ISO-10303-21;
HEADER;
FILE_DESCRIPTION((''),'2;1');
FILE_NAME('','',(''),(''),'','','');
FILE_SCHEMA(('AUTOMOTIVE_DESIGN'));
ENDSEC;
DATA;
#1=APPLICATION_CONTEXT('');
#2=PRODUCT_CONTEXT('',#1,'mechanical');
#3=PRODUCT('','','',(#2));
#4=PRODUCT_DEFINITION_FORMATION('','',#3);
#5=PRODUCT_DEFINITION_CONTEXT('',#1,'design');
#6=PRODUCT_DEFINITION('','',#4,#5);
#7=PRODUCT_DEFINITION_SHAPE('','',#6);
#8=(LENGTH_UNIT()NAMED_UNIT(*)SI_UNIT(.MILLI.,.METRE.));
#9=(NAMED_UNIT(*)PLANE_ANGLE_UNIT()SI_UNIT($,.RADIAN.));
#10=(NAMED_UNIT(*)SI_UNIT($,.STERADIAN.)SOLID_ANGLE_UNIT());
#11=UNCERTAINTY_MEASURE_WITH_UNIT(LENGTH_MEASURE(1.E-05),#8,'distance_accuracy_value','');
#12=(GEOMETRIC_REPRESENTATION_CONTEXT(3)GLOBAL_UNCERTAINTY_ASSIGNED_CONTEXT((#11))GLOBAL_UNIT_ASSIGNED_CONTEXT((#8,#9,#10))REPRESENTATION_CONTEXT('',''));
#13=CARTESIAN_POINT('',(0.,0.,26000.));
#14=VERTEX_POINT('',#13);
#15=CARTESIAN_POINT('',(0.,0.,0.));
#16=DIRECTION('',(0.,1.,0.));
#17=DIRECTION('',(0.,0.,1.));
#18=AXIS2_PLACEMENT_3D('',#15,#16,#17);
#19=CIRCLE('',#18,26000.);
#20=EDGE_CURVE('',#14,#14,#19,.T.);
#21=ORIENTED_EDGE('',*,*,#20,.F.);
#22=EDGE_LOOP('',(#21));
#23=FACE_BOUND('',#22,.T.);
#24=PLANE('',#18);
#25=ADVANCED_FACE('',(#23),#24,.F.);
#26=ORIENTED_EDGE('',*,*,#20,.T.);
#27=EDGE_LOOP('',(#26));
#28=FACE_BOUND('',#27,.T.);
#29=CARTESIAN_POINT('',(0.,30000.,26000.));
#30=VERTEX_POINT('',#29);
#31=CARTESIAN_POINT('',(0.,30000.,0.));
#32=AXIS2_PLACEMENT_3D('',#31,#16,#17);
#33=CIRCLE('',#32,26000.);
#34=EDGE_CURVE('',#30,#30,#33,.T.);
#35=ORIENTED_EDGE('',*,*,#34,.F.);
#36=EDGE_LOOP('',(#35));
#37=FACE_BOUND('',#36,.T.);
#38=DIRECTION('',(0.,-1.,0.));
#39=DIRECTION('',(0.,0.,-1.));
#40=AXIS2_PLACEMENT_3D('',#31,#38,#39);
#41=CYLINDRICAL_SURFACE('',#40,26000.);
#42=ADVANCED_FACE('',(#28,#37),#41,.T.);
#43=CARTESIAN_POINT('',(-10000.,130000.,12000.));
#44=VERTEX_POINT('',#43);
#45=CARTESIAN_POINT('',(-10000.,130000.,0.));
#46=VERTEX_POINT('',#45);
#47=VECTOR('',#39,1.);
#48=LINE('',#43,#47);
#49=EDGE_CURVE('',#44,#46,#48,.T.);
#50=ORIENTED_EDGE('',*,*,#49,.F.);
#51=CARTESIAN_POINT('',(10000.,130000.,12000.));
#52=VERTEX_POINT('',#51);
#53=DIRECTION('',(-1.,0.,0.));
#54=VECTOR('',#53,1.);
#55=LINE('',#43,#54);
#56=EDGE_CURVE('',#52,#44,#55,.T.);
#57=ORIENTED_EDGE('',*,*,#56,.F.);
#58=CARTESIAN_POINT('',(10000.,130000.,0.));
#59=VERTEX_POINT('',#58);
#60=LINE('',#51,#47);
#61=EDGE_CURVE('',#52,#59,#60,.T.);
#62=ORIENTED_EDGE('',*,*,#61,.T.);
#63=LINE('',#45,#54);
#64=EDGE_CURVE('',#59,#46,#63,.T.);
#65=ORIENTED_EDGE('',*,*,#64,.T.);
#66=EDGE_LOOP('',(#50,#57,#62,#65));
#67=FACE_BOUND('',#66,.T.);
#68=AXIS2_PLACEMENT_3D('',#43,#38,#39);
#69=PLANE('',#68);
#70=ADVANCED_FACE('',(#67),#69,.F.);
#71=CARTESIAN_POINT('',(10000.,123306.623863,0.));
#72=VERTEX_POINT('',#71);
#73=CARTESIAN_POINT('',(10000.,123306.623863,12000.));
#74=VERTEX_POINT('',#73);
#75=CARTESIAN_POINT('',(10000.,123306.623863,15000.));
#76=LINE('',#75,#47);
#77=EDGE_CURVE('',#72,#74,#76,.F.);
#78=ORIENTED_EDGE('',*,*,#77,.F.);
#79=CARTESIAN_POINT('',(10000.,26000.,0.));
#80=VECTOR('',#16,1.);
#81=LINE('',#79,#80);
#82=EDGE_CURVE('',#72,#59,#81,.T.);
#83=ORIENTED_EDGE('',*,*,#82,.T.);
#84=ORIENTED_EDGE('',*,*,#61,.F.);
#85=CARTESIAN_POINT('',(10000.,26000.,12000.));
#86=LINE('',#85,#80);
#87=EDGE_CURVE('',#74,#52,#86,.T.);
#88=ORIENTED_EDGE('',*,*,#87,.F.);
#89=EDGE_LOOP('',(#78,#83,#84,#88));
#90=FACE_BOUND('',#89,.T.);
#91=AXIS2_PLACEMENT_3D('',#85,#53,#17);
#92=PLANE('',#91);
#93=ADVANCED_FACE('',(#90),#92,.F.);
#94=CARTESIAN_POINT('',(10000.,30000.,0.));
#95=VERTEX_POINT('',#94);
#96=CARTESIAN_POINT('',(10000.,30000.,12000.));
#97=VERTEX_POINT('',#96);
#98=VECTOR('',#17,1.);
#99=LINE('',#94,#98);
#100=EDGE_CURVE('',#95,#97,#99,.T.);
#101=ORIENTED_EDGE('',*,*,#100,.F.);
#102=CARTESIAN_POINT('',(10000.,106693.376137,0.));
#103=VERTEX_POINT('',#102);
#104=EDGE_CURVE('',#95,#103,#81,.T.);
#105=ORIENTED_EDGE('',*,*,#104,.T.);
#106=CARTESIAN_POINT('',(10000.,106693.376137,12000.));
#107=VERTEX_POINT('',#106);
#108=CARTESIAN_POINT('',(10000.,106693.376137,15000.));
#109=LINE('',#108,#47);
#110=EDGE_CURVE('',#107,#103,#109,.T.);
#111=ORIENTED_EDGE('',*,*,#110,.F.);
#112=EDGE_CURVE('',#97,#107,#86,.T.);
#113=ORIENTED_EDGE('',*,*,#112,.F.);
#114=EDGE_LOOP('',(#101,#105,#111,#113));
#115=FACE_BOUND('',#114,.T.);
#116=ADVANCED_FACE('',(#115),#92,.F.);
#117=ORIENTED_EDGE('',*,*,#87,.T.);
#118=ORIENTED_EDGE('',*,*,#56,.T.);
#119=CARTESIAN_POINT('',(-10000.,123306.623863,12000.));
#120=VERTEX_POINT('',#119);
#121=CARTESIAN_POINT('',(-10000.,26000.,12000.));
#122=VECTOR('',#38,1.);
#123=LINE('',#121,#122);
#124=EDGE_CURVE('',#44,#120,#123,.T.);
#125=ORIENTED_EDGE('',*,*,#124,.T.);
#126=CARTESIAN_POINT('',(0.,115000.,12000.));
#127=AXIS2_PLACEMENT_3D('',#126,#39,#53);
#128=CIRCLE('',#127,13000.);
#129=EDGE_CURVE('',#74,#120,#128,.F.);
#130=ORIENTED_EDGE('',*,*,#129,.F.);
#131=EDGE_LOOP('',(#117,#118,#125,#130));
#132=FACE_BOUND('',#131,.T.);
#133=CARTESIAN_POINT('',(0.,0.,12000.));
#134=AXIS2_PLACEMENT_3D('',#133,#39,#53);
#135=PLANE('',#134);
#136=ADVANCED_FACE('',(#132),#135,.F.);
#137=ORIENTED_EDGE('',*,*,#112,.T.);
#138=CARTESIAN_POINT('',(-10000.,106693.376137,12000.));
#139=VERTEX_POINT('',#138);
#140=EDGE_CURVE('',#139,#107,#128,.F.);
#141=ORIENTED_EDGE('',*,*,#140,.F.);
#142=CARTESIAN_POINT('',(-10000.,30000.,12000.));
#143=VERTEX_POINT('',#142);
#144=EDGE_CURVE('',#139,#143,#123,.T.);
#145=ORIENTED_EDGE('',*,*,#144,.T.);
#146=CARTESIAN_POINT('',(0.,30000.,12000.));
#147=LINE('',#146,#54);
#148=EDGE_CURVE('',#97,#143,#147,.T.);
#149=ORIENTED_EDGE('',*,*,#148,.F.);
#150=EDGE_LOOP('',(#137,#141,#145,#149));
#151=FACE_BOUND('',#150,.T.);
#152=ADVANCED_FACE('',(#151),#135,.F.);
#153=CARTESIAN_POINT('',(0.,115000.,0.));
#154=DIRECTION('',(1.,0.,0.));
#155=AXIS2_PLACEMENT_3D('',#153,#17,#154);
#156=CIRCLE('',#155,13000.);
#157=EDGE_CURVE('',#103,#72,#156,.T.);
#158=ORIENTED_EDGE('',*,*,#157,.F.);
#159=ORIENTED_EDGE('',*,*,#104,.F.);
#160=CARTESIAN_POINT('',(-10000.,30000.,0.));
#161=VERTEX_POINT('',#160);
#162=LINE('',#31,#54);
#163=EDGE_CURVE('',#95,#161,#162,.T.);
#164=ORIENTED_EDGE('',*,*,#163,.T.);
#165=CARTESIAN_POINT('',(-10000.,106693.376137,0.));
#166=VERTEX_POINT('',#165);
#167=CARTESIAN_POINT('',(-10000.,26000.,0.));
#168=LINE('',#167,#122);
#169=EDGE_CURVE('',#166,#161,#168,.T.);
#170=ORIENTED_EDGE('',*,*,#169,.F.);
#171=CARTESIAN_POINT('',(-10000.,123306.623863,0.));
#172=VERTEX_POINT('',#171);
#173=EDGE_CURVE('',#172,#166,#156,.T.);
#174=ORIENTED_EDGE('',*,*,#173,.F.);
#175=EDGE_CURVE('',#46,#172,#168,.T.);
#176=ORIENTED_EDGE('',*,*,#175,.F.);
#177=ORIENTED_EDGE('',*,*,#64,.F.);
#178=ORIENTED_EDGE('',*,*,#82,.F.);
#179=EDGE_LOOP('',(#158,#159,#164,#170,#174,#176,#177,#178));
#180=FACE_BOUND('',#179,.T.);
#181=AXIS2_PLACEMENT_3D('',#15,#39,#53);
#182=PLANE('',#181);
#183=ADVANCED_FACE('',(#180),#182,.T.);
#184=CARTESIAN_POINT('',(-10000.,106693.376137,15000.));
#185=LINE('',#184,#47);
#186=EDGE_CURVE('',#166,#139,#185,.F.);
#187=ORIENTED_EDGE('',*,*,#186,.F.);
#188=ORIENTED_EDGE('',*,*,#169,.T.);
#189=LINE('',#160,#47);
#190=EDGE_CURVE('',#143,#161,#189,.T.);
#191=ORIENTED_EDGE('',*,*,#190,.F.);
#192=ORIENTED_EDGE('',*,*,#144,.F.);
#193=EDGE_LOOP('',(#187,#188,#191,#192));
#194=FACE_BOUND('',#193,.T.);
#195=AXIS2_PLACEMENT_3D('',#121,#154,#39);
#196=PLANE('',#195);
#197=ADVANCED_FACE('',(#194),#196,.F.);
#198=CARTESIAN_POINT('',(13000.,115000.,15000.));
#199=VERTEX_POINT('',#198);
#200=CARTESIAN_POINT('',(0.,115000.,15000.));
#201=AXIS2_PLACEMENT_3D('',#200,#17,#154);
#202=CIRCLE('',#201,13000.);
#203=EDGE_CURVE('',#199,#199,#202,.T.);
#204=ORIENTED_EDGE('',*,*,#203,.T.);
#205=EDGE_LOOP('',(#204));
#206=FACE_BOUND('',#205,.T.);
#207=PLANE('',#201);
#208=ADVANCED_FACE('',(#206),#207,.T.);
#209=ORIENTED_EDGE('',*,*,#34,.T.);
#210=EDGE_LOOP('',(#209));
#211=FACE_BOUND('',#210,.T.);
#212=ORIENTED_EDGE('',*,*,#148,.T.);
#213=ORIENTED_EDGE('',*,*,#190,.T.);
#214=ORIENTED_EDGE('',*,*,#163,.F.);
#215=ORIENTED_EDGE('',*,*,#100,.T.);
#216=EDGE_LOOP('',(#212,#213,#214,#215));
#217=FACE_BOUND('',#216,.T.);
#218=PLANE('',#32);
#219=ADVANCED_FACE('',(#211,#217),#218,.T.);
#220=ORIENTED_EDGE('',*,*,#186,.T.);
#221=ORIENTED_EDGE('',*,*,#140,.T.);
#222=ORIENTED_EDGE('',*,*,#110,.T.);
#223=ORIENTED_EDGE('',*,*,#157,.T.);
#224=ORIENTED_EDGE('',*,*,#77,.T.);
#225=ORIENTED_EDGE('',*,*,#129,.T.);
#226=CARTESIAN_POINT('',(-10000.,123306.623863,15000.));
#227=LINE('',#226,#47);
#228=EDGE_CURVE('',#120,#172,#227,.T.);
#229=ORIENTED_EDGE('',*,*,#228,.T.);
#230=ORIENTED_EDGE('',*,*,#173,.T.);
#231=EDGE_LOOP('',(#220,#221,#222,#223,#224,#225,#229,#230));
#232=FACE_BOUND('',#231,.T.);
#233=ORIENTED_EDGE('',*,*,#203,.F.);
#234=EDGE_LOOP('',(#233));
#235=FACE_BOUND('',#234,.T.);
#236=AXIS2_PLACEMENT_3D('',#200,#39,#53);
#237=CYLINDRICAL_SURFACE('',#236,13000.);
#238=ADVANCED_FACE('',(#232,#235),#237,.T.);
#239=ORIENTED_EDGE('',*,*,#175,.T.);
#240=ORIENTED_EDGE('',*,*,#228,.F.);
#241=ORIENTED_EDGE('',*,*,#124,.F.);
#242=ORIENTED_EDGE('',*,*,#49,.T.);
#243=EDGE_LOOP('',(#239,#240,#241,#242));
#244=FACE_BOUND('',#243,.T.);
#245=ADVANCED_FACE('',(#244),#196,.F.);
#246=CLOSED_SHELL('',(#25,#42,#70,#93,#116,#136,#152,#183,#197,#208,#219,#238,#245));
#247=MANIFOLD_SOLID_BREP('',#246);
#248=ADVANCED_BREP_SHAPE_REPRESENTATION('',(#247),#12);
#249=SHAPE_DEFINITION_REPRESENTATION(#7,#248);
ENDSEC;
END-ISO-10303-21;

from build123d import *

# Parameters (mm, degrees)
SKETCH_1_R      = 26000
EXTRUDE_1_DEPTH = 30000
SKETCH_2_W      = 20000
SKETCH_2_H      = 104000
EXTRUDE_2_DEPTH = 12000
SKETCH_3_R      = 13000
EXTRUDE_3_DEPTH = 15000


with BuildPart() as part:
    # 草图1 → 凸台-拉伸1 (new body)
    with BuildSketch(Plane(origin=(0, 0, 0), x_dir=(1, 0, 0), z_dir=(0, 1, 0))):
        with Locations(Location((0, 0, 0), (0, 0, 270))):
            Circle(SKETCH_1_R)
    extrude(amount=EXTRUDE_1_DEPTH)

    # 草图2 → 凸台-拉伸2 (add)
    with BuildSketch(Plane.XY):
        with Locations((0, 78000)):
            Rectangle(SKETCH_2_W, SKETCH_2_H)
    extrude(amount=EXTRUDE_2_DEPTH)

    # 草图3 → 凸台-拉伸3 (add)
    with BuildSketch(Plane.XY):
        with Locations(Location((0, 115000, 0), (0, 0, 219.715137232))):
            Circle(SKETCH_3_R)
    extrude(amount=EXTRUDE_3_DEPTH)


solid = part.part
